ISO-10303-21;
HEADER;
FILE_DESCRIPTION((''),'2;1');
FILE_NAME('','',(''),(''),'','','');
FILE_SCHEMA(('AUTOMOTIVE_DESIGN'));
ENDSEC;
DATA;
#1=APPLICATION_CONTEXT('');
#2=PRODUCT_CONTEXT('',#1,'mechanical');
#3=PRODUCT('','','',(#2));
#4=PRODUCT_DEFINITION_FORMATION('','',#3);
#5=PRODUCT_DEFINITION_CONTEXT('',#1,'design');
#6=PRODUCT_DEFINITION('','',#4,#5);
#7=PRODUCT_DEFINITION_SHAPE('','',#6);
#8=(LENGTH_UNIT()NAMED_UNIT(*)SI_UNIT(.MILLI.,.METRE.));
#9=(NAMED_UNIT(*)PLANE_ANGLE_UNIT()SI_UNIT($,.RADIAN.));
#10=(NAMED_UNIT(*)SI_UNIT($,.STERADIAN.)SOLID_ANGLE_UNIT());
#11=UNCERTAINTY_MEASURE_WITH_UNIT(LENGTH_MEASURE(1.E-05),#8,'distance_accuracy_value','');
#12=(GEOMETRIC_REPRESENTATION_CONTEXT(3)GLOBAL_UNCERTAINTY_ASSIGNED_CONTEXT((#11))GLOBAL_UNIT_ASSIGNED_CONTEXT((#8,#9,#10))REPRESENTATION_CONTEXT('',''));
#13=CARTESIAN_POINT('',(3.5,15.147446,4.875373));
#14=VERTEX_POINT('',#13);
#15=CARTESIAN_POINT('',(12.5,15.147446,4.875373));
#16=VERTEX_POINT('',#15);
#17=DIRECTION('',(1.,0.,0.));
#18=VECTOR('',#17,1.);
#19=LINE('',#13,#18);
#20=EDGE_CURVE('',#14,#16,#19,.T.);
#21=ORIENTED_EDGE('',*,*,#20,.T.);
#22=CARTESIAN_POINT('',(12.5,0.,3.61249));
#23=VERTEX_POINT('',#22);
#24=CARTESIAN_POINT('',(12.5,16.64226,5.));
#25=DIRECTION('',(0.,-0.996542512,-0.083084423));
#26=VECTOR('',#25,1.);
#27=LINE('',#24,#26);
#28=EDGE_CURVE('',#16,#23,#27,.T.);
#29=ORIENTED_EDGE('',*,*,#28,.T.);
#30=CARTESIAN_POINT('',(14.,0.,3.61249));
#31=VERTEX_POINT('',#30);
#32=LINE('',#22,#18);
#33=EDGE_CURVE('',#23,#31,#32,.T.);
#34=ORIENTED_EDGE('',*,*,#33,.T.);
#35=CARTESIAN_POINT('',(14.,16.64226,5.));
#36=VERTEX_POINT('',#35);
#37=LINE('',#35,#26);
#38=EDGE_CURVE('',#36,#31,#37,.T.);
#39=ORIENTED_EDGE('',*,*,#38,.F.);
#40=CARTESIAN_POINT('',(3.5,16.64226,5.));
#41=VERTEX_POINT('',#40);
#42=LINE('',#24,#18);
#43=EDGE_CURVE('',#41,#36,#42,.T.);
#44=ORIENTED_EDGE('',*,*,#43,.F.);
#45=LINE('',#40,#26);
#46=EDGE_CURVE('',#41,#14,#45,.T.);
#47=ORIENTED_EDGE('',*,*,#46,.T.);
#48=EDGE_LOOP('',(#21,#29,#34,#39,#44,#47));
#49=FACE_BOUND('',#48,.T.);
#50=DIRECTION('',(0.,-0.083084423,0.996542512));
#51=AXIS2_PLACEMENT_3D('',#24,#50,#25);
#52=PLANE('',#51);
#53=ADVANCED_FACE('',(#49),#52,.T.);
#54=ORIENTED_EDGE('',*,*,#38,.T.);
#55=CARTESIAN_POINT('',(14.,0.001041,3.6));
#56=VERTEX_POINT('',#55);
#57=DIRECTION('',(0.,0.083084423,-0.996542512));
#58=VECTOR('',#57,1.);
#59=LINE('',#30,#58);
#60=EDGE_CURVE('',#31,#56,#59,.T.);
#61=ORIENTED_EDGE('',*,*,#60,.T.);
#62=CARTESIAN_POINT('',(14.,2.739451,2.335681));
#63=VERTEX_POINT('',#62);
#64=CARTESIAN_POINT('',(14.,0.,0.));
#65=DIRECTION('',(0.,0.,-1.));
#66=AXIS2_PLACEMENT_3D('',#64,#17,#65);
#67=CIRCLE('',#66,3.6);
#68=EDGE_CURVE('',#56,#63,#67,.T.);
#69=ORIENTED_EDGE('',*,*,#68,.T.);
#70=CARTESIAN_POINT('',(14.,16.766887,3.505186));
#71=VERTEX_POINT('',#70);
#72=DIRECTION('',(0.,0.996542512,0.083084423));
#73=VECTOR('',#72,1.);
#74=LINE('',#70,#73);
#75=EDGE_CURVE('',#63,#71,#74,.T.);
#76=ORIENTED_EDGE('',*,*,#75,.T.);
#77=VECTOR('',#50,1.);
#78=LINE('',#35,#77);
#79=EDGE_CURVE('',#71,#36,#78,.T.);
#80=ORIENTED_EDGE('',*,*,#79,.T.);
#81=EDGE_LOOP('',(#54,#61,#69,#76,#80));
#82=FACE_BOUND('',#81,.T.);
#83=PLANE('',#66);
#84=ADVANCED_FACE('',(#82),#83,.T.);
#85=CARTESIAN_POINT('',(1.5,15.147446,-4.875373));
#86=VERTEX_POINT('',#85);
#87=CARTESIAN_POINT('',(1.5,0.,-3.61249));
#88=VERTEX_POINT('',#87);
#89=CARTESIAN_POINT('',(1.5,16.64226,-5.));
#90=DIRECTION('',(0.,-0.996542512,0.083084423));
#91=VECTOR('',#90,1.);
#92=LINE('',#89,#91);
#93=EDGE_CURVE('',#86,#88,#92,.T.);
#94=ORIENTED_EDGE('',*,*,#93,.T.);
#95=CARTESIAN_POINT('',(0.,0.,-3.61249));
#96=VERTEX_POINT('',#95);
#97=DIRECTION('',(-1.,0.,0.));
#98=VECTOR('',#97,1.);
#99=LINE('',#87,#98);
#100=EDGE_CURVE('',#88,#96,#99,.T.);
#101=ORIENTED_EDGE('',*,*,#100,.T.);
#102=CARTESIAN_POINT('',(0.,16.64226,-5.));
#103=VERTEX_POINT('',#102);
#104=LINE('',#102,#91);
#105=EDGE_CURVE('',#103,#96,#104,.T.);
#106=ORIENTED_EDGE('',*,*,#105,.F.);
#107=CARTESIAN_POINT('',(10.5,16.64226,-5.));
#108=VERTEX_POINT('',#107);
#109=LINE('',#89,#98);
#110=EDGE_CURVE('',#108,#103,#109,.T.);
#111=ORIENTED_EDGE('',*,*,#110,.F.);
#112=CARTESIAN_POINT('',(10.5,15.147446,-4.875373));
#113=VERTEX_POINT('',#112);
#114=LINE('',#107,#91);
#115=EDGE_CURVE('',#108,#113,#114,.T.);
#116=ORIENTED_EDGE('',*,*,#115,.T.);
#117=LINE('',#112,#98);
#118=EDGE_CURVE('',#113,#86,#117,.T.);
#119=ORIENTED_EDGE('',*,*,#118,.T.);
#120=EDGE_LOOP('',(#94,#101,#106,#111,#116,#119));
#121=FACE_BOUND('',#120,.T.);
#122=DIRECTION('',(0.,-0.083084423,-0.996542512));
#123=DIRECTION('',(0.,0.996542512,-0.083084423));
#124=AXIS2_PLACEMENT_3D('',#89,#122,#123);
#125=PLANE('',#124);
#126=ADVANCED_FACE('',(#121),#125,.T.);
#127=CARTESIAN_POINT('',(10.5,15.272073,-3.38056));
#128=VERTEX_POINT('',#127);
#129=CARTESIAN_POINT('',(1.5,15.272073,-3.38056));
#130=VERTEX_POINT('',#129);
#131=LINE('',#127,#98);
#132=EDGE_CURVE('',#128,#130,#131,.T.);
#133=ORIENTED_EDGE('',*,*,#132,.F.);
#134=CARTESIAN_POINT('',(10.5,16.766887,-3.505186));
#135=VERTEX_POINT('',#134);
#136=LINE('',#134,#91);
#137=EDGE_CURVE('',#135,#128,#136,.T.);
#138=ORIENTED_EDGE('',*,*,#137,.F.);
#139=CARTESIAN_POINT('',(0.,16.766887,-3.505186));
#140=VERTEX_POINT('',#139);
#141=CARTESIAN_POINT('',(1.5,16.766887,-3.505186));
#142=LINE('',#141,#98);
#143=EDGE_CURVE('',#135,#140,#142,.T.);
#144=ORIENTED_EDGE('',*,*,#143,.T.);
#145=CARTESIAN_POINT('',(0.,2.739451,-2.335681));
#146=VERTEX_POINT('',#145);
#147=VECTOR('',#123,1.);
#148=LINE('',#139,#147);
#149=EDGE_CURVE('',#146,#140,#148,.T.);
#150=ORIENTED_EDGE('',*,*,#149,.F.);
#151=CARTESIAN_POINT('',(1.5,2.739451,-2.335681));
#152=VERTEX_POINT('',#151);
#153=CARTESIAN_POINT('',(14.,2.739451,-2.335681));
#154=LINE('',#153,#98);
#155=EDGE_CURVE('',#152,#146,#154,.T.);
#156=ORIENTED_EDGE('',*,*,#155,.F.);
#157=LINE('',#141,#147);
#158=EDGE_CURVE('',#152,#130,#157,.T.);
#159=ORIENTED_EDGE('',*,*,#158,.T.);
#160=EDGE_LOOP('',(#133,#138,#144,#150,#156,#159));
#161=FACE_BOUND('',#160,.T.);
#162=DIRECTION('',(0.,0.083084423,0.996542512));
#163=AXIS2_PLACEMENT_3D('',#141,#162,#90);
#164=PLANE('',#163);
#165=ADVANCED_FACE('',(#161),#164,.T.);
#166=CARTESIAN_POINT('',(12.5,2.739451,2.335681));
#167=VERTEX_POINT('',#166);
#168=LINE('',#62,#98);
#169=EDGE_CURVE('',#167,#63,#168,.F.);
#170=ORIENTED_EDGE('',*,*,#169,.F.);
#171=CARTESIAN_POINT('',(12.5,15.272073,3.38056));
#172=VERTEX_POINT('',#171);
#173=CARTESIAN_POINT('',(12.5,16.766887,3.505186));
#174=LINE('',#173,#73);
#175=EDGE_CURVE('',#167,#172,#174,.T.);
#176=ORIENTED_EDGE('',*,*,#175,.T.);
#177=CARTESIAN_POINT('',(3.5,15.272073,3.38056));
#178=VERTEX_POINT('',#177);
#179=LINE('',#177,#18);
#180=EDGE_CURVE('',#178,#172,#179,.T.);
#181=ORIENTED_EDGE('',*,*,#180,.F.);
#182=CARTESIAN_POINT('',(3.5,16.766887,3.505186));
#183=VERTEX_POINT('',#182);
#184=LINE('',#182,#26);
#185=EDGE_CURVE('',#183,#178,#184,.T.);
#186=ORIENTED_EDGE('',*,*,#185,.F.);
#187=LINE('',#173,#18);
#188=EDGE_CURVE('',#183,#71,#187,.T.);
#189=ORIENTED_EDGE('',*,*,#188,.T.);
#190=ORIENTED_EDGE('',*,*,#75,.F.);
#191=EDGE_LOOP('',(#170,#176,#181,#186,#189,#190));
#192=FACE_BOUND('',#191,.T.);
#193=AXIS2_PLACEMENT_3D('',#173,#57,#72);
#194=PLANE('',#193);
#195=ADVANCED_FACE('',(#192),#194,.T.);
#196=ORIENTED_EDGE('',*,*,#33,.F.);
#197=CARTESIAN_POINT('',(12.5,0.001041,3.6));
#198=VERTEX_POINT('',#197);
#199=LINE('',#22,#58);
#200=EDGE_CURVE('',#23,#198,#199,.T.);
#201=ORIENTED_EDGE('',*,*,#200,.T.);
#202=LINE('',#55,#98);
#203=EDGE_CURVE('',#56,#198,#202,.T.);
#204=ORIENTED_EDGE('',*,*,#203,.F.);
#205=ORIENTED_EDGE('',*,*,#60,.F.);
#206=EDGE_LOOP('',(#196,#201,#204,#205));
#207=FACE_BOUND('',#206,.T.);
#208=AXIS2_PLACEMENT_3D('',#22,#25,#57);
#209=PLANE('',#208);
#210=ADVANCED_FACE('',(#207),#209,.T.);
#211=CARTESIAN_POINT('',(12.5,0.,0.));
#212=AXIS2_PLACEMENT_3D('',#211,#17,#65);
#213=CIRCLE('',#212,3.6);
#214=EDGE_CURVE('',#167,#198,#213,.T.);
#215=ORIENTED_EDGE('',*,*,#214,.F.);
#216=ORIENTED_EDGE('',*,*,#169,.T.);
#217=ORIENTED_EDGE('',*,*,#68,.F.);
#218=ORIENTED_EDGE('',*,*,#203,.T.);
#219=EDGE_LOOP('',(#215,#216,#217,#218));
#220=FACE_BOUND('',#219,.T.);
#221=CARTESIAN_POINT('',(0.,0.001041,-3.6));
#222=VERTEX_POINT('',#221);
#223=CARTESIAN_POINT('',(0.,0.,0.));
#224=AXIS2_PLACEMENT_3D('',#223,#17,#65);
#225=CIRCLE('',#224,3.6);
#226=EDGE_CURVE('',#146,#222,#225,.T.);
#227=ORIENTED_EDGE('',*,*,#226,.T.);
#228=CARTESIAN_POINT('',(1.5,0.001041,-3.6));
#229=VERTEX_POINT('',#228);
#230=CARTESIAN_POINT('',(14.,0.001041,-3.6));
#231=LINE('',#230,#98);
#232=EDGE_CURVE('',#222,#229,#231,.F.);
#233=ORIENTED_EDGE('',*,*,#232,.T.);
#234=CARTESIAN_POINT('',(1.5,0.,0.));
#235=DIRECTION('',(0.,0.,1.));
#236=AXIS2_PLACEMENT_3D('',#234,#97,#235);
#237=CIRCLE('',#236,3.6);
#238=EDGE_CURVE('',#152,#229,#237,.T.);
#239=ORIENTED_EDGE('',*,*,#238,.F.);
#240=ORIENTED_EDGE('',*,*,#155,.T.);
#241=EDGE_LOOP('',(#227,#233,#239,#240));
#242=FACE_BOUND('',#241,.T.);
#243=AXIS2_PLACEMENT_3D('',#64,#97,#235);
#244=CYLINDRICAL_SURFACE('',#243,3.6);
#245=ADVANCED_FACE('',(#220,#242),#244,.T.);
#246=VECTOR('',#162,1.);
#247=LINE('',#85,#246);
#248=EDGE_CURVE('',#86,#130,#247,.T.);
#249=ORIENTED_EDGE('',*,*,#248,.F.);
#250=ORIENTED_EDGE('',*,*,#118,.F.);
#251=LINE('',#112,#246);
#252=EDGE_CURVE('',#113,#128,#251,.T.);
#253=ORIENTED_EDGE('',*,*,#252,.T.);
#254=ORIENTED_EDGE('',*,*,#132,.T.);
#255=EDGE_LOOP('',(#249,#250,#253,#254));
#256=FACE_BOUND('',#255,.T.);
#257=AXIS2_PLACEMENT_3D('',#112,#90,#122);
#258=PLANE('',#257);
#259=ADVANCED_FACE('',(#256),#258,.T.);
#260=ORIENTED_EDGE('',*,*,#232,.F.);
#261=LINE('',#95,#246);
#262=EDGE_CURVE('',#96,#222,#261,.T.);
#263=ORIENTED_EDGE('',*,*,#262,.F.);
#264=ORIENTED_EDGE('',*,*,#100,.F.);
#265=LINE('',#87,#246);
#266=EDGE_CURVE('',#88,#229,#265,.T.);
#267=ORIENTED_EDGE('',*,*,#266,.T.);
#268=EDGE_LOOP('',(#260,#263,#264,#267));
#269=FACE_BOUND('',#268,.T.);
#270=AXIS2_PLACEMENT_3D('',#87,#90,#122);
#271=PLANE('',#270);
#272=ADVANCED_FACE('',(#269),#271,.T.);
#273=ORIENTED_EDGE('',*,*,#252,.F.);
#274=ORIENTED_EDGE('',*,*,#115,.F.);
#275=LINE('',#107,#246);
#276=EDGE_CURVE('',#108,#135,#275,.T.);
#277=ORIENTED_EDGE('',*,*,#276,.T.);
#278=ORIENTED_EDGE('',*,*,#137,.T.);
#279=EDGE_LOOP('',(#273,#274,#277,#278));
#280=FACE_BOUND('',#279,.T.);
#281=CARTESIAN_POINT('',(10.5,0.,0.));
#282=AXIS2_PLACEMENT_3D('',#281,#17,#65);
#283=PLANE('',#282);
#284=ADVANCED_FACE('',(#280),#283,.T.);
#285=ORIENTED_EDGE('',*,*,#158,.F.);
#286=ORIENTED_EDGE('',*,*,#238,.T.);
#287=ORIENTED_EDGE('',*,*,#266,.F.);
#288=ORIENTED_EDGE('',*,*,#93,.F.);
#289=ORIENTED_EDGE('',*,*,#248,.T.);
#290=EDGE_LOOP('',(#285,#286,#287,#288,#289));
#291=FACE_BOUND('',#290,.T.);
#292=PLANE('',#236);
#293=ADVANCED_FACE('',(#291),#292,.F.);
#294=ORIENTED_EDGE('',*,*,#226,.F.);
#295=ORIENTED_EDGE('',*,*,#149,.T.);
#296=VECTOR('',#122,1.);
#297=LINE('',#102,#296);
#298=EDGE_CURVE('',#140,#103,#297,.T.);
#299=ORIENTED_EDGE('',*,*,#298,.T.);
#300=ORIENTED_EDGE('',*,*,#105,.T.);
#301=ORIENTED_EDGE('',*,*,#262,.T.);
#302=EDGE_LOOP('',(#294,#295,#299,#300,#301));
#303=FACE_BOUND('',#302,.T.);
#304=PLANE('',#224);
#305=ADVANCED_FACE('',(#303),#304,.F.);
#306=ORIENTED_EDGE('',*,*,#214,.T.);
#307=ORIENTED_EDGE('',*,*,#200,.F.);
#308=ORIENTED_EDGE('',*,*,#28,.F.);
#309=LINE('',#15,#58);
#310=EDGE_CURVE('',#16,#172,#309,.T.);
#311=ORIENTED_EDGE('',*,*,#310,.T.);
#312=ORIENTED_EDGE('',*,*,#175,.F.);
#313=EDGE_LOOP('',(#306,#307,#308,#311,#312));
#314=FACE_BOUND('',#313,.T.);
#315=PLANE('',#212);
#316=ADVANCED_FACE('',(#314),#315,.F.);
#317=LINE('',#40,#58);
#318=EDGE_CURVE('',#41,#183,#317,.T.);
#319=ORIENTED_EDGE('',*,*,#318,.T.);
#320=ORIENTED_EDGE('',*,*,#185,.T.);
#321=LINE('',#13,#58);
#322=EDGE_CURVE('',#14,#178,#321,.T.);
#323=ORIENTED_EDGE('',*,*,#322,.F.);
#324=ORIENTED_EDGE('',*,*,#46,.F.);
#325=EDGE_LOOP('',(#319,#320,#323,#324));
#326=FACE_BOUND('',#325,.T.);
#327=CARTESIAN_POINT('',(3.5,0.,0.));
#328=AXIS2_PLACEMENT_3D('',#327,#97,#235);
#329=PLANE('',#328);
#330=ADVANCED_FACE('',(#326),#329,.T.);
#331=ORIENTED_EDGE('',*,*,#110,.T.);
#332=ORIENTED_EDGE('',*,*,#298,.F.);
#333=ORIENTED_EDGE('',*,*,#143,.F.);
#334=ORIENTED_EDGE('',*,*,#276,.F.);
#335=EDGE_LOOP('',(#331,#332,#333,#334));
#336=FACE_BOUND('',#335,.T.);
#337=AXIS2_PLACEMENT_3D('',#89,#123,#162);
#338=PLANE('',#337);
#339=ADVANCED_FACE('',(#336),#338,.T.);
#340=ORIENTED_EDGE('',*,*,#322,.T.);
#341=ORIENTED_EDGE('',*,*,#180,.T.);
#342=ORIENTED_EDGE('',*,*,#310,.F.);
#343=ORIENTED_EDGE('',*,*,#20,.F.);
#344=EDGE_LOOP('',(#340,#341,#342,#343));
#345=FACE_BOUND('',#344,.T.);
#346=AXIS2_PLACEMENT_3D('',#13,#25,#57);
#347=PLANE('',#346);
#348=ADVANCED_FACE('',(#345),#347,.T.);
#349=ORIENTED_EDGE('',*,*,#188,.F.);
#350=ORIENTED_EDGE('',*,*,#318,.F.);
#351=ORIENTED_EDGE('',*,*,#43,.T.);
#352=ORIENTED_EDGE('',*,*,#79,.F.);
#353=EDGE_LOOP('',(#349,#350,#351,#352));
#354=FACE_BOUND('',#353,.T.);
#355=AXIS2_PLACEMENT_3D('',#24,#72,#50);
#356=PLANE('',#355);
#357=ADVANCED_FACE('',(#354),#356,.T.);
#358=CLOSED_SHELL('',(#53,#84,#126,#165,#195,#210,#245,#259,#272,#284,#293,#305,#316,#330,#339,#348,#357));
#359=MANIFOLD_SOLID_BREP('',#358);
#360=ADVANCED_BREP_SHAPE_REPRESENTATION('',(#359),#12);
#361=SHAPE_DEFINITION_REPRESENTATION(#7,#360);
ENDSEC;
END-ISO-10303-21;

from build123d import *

# Parameters (mm, degrees)
SKETCH1_R           = 3.6
BOSS_EXTRUDE1_DEPTH = 14
BOSS_EXTRUDE2_DEPTH = 1.5
BOSS_EXTRUDE3_DEPTH = 9
CIRPATTERN1_COUNT   = 2


with BuildPart() as part:
    # Sketch1 → Boss-Extrude1 (new body)
    with BuildSketch(Plane(origin=(0, 0, 0), x_dir=(0, 0, -1), z_dir=(1, 0, 0))):
        Circle(SKETCH1_R)
    extrude(amount=BOSS_EXTRUDE1_DEPTH)

    # Sketch2 → Boss-Extrude2 (add)
    with BuildSketch(Plane.ZY):
        Polygon((-5, 16.642259954), (-3.505186232, 16.766886588), (-2.117676372, 0.124626634), (-3.61249014, 0), align=None)
    boss_extrude2 = extrude(amount=-BOSS_EXTRUDE2_DEPTH)

    # Sketch4 → Boss-Extrude3 (add)
    with BuildSketch(Plane(origin=(1.5, 0, 0), x_dir=(0, 0, -1), z_dir=(1, 0, 0))):
        Polygon((5, 16.642259954), (3.505186232, 16.766886588), (3.380559598, 15.27207282), (4.875373366, 15.147446186), align=None)
    boss_extrude3 = extrude(amount=BOSS_EXTRUDE3_DEPTH)

    # CirPattern1: Boss-Extrude2, Boss-Extrude3 ×2 about axis
    cirpattern1_axis = Axis((7, 17.785230918, 0), (0, -1, 0))
    add([boss_extrude2.rotate(cirpattern1_axis, i * 360 / CIRPATTERN1_COUNT) for i in range(1, CIRPATTERN1_COUNT)])
    add([boss_extrude3.rotate(cirpattern1_axis, i * 360 / CIRPATTERN1_COUNT) for i in range(1, CIRPATTERN1_COUNT)])


solid = part.part
